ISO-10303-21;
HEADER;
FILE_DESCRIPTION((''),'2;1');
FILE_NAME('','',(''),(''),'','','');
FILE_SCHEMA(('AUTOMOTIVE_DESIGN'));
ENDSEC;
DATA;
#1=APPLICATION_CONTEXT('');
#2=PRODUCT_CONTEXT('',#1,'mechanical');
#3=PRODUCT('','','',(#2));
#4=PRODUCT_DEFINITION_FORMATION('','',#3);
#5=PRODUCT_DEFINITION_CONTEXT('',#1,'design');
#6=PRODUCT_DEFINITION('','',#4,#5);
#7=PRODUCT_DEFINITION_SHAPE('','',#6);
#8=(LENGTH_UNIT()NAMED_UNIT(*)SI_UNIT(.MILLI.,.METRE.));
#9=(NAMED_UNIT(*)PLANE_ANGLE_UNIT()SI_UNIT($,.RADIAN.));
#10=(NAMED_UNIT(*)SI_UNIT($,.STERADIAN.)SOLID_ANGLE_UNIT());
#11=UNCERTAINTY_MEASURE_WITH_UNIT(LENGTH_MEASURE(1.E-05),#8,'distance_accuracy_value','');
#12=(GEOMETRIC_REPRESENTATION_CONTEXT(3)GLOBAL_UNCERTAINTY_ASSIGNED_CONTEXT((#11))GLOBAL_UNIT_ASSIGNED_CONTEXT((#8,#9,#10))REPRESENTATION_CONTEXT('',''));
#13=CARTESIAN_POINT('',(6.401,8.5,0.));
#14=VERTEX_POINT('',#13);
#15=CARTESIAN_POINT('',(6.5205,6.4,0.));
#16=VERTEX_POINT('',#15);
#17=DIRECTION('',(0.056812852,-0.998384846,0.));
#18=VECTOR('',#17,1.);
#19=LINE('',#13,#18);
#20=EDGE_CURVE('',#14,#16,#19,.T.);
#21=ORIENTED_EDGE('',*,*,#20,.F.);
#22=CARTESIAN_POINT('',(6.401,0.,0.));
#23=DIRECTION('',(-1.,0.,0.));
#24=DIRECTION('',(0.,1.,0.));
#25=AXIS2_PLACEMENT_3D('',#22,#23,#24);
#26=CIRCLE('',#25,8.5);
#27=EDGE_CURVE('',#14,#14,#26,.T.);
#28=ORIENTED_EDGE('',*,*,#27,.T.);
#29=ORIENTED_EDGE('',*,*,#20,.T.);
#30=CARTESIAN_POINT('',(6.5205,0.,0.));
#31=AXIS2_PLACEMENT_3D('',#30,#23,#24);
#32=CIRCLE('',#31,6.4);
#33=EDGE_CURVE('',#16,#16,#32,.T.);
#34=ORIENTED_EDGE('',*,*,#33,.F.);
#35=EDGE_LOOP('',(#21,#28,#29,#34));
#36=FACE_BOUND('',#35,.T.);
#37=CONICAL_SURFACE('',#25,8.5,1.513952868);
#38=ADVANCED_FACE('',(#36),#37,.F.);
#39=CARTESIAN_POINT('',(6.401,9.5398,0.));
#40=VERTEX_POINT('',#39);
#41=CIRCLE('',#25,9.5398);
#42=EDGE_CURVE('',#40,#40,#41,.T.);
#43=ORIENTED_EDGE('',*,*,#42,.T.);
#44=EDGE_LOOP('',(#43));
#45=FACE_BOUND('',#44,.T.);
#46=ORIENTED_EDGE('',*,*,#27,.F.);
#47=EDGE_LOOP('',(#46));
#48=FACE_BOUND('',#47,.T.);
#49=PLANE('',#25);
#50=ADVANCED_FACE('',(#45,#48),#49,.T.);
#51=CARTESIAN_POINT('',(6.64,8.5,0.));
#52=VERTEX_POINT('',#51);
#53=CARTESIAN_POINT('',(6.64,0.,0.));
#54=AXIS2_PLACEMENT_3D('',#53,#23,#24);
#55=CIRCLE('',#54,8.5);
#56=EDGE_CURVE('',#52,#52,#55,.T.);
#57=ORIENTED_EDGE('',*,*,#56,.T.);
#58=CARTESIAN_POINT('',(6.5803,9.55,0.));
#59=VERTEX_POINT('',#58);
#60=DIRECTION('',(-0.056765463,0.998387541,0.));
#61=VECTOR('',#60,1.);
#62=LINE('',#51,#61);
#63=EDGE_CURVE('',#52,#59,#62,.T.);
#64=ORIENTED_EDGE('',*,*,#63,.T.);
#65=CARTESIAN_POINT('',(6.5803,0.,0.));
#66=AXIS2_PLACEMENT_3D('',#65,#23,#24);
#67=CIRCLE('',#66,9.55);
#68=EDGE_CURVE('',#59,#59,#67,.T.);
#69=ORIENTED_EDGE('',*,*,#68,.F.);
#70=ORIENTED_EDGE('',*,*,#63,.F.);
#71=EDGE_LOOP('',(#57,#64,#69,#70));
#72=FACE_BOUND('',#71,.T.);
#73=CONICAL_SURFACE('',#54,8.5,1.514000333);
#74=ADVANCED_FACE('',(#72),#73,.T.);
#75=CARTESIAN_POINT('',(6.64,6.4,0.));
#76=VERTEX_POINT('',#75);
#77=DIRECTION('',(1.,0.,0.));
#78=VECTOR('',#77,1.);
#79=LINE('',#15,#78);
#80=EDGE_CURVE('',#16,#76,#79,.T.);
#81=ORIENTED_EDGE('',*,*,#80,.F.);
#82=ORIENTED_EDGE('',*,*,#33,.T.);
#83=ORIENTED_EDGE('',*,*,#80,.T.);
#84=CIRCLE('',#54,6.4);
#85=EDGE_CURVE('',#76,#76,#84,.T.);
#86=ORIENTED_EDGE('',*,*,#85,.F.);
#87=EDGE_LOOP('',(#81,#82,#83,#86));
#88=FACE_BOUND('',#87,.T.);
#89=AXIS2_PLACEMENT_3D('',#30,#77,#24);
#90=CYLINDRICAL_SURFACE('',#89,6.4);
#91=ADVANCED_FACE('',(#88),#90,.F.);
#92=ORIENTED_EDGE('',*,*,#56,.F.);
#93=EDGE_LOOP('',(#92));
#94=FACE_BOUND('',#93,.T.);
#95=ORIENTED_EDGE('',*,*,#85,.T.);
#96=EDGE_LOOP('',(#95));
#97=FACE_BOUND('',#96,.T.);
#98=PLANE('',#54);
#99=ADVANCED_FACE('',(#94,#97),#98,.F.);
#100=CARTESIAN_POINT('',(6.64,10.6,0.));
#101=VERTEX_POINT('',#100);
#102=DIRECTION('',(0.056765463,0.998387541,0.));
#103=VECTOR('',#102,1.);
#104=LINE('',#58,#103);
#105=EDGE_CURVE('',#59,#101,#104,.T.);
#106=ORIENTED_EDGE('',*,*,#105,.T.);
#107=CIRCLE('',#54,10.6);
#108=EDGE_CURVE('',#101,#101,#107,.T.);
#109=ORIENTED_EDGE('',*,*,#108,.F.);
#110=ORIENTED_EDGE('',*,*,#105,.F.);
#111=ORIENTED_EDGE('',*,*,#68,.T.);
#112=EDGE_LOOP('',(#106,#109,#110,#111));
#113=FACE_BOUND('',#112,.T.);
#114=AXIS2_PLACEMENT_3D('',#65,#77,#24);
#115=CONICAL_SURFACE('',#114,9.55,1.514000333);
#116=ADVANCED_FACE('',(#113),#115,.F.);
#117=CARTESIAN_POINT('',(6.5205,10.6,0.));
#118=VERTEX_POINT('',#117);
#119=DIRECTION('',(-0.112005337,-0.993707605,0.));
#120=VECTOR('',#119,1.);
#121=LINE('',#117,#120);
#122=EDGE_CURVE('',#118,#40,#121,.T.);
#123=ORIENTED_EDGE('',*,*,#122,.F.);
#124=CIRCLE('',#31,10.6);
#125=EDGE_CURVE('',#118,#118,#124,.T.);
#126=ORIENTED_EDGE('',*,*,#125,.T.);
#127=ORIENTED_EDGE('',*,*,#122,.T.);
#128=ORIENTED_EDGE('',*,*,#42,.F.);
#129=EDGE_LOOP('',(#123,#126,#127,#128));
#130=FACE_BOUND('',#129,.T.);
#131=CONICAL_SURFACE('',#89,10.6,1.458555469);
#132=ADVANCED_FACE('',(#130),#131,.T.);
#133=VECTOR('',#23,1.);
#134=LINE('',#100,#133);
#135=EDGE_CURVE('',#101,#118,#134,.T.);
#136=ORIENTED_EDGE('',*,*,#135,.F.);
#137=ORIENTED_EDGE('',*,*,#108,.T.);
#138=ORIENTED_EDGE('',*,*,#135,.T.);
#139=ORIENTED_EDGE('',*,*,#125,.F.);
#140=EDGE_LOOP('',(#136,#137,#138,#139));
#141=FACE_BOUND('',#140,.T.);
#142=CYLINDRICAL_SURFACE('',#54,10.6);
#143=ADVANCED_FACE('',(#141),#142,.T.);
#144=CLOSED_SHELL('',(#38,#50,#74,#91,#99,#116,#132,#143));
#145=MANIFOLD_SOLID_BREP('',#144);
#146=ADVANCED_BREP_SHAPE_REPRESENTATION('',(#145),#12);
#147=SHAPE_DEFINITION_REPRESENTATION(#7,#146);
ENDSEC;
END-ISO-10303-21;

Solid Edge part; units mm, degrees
sketch "Sketch1" plane through (0, 0, 0) normal (0, 0, 1) x (1, 0, 0)
  line L0 (6.401, 9.5398) -> (6.401, 8.5)
  line L1 (6.401, 8.5) -> (6.5205, 6.4)
  line L2 (6.5205, 6.4) -> (6.64, 6.4)
  line L3 (6.64, 6.4) -> (6.64, 8.5)
  line L4 (6.64, 8.5) -> (6.5803, 9.55)
  line L5 (6.5803, 9.55) -> (6.64, 10.6)
  line L6 (6.64, 10.6) -> (6.5205, 10.6)
  line L7 (6.5205, 10.6) -> (6.401, 9.5398)
revolve "RevolvedProtrusion1" add sketch "Sketch1" angle 360 about axis through (50, 0, 0) along (-1, 0, 0)
